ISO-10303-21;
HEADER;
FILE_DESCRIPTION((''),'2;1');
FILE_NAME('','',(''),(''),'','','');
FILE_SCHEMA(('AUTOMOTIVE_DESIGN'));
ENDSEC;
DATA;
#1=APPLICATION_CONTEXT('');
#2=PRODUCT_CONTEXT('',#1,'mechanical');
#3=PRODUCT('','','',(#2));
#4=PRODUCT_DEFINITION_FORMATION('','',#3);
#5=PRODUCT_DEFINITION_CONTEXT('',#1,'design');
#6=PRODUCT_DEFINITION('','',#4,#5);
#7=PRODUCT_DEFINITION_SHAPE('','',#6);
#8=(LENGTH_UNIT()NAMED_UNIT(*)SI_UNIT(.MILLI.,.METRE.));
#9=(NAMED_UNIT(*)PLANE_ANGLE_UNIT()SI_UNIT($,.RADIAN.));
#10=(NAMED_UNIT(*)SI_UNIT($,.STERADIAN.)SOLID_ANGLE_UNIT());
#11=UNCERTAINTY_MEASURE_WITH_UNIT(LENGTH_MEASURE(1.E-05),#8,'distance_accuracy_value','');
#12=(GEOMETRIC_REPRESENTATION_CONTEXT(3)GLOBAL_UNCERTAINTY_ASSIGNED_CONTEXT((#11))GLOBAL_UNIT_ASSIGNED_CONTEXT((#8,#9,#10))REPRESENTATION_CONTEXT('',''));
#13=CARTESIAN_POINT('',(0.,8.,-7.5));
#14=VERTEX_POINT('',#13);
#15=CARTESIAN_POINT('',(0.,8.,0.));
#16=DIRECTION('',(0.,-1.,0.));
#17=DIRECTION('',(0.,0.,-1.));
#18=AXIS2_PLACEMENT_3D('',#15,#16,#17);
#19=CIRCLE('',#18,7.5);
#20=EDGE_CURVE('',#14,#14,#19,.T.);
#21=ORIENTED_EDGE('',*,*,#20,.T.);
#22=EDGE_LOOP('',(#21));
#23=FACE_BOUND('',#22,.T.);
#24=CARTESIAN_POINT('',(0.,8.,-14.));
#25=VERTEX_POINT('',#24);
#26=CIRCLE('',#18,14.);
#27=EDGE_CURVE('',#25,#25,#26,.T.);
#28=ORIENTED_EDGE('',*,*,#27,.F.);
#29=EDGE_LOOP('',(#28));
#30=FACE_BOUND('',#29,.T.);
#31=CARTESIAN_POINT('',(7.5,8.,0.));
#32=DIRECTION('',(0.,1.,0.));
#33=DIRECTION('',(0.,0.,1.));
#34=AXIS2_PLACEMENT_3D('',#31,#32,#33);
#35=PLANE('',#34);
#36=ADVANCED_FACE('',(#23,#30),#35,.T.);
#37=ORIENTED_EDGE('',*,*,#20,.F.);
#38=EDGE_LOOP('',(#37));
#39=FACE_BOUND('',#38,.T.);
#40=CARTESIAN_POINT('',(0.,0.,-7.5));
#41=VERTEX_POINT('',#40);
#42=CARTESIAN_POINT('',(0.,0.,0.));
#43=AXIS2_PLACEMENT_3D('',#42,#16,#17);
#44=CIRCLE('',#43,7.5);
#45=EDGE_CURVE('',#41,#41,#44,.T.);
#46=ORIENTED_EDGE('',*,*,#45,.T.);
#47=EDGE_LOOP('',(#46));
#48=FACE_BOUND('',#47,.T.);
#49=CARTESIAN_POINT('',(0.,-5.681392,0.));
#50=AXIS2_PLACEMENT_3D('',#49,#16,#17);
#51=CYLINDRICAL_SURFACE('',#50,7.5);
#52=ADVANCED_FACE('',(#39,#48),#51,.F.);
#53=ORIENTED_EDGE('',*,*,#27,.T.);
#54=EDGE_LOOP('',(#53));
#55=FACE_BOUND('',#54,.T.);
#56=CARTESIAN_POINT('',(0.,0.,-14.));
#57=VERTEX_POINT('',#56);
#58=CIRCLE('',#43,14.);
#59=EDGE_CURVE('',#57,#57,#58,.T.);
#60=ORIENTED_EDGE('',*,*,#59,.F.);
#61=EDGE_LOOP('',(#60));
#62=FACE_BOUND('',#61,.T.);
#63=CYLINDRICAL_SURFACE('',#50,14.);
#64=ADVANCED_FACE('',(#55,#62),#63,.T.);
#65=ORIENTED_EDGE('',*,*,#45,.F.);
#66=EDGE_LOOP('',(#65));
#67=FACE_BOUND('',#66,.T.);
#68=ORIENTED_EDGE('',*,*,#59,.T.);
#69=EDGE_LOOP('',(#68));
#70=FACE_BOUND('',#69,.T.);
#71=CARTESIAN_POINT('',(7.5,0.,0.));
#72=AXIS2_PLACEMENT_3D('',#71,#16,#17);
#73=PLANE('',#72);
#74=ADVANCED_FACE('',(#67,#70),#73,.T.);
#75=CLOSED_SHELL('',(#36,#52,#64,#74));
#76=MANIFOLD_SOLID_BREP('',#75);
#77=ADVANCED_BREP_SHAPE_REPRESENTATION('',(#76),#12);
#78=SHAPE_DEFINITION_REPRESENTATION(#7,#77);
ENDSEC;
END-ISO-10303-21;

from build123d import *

# Parameters (mm, degrees)
SKETCH1_W = 6.5
SKETCH1_H = 8


with BuildPart() as part:
    # Sketch1 → Revolve1 (revolve)
    with BuildSketch(Plane.XY, mode=Mode.PRIVATE) as revolve1_sk:
        with Locations((10.75, 4)):
            Rectangle(SKETCH1_W, SKETCH1_H)
    revolve(revolve1_sk.sketch.rotate(Axis((0, -5.681392059, 0), (0, 1, 0)), 90), axis=Axis((0, -5.681392059, 0), (0, 1, 0)))


solid = part.part
